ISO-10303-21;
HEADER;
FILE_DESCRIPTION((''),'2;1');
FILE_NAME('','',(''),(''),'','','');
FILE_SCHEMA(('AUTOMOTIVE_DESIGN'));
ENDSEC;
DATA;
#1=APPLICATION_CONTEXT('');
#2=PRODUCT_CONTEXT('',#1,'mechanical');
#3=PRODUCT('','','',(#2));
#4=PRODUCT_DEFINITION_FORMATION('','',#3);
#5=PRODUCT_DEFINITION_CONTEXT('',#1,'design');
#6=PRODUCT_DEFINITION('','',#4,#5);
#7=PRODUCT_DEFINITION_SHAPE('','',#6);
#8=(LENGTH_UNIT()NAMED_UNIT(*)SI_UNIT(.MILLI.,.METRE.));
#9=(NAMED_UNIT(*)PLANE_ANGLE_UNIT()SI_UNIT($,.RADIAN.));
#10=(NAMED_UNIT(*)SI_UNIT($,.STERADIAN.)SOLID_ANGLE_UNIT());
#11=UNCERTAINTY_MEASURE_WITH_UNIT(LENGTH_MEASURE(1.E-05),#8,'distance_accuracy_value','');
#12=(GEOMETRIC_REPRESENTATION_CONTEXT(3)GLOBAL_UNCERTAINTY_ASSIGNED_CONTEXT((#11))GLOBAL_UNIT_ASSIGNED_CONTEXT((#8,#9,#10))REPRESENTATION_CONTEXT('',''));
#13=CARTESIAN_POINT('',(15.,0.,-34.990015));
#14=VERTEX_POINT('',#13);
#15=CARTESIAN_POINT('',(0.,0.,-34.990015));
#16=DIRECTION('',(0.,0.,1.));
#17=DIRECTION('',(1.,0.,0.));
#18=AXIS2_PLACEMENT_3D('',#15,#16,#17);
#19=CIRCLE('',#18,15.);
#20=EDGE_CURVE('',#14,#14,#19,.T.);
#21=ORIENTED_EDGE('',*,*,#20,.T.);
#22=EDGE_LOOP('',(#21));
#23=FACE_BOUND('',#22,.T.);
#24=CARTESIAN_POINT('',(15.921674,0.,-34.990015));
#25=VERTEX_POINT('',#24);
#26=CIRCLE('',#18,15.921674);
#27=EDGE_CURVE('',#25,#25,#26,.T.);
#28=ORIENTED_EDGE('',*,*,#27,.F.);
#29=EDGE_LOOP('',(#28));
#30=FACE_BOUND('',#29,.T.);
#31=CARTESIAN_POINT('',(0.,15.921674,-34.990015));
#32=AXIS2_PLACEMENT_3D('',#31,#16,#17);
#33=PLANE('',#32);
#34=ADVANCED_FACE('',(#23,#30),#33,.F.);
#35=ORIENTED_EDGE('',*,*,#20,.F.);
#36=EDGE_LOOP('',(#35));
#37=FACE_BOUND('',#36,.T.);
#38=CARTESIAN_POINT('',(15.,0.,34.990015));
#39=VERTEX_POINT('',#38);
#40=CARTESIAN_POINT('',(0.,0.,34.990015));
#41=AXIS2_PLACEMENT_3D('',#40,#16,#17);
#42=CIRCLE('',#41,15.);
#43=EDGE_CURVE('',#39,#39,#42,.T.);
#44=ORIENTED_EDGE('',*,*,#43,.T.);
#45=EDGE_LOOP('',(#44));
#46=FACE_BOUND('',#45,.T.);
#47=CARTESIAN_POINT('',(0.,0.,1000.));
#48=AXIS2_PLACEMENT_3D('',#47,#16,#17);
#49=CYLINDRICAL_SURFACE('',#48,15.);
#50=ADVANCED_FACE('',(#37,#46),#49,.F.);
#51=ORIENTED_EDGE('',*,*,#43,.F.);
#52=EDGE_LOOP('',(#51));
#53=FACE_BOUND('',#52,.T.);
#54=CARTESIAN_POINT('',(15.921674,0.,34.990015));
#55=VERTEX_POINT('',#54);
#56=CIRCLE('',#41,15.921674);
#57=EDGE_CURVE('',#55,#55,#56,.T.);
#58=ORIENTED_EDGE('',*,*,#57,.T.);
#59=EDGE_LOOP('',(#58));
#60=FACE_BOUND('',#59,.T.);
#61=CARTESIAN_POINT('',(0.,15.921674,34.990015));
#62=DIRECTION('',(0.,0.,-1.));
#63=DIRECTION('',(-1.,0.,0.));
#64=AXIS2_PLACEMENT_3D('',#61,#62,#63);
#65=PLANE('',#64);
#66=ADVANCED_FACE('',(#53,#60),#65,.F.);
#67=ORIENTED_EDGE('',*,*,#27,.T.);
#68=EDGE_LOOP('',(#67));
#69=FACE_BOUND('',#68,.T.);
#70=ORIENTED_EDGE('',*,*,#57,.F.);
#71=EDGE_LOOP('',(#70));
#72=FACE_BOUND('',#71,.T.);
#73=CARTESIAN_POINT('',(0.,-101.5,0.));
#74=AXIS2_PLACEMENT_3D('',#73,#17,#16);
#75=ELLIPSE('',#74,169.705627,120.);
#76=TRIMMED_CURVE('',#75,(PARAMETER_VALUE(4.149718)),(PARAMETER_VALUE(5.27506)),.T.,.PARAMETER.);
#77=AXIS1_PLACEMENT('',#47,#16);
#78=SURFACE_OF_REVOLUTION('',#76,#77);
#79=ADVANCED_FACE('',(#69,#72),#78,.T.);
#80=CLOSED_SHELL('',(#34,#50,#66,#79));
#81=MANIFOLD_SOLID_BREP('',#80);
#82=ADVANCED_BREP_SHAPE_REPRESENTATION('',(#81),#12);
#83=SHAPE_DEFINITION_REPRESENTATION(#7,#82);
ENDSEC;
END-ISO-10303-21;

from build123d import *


with BuildPart() as part:
    # Эскиз1 → Повернуть1 (revolve)
    with BuildSketch(Plane(origin=(0, 0, 0), x_dir=(0, 0, -1), z_dir=(1, 0, 0))):
        with BuildLine():
            Line((34.990014613, 15), (-34.990014613, 15))
            Line((-34.990014613, 15), (-34.990014613, 15.921673633))
            add(Edge.make_bspline(
                [(0, 18.5), (-17.684997706, 18.5), (-34.990014613, 15.921673633)],
                knots=[4.71238898, 4.71238898, 4.71238898, 4.920059097, 4.920059097, 4.920059097], degree=2, weights=[1, 0.994613982, 1]))
            add(Edge.make_bspline(
                [(34.990014613, 15.921673633), (17.684997706, 18.5), (0, 18.5)],
                knots=[1.36312621, 1.36312621, 1.36312621, 1.570796327, 1.570796327, 1.570796327], degree=2, weights=[1, 0.994613982, 1]))
            Line((34.990014613, 15.921673633), (34.990014613, 15))
        make_face()
    revolve(axis=Axis((0, 0, 1000), (0, 0, -1)))


solid = part.part
